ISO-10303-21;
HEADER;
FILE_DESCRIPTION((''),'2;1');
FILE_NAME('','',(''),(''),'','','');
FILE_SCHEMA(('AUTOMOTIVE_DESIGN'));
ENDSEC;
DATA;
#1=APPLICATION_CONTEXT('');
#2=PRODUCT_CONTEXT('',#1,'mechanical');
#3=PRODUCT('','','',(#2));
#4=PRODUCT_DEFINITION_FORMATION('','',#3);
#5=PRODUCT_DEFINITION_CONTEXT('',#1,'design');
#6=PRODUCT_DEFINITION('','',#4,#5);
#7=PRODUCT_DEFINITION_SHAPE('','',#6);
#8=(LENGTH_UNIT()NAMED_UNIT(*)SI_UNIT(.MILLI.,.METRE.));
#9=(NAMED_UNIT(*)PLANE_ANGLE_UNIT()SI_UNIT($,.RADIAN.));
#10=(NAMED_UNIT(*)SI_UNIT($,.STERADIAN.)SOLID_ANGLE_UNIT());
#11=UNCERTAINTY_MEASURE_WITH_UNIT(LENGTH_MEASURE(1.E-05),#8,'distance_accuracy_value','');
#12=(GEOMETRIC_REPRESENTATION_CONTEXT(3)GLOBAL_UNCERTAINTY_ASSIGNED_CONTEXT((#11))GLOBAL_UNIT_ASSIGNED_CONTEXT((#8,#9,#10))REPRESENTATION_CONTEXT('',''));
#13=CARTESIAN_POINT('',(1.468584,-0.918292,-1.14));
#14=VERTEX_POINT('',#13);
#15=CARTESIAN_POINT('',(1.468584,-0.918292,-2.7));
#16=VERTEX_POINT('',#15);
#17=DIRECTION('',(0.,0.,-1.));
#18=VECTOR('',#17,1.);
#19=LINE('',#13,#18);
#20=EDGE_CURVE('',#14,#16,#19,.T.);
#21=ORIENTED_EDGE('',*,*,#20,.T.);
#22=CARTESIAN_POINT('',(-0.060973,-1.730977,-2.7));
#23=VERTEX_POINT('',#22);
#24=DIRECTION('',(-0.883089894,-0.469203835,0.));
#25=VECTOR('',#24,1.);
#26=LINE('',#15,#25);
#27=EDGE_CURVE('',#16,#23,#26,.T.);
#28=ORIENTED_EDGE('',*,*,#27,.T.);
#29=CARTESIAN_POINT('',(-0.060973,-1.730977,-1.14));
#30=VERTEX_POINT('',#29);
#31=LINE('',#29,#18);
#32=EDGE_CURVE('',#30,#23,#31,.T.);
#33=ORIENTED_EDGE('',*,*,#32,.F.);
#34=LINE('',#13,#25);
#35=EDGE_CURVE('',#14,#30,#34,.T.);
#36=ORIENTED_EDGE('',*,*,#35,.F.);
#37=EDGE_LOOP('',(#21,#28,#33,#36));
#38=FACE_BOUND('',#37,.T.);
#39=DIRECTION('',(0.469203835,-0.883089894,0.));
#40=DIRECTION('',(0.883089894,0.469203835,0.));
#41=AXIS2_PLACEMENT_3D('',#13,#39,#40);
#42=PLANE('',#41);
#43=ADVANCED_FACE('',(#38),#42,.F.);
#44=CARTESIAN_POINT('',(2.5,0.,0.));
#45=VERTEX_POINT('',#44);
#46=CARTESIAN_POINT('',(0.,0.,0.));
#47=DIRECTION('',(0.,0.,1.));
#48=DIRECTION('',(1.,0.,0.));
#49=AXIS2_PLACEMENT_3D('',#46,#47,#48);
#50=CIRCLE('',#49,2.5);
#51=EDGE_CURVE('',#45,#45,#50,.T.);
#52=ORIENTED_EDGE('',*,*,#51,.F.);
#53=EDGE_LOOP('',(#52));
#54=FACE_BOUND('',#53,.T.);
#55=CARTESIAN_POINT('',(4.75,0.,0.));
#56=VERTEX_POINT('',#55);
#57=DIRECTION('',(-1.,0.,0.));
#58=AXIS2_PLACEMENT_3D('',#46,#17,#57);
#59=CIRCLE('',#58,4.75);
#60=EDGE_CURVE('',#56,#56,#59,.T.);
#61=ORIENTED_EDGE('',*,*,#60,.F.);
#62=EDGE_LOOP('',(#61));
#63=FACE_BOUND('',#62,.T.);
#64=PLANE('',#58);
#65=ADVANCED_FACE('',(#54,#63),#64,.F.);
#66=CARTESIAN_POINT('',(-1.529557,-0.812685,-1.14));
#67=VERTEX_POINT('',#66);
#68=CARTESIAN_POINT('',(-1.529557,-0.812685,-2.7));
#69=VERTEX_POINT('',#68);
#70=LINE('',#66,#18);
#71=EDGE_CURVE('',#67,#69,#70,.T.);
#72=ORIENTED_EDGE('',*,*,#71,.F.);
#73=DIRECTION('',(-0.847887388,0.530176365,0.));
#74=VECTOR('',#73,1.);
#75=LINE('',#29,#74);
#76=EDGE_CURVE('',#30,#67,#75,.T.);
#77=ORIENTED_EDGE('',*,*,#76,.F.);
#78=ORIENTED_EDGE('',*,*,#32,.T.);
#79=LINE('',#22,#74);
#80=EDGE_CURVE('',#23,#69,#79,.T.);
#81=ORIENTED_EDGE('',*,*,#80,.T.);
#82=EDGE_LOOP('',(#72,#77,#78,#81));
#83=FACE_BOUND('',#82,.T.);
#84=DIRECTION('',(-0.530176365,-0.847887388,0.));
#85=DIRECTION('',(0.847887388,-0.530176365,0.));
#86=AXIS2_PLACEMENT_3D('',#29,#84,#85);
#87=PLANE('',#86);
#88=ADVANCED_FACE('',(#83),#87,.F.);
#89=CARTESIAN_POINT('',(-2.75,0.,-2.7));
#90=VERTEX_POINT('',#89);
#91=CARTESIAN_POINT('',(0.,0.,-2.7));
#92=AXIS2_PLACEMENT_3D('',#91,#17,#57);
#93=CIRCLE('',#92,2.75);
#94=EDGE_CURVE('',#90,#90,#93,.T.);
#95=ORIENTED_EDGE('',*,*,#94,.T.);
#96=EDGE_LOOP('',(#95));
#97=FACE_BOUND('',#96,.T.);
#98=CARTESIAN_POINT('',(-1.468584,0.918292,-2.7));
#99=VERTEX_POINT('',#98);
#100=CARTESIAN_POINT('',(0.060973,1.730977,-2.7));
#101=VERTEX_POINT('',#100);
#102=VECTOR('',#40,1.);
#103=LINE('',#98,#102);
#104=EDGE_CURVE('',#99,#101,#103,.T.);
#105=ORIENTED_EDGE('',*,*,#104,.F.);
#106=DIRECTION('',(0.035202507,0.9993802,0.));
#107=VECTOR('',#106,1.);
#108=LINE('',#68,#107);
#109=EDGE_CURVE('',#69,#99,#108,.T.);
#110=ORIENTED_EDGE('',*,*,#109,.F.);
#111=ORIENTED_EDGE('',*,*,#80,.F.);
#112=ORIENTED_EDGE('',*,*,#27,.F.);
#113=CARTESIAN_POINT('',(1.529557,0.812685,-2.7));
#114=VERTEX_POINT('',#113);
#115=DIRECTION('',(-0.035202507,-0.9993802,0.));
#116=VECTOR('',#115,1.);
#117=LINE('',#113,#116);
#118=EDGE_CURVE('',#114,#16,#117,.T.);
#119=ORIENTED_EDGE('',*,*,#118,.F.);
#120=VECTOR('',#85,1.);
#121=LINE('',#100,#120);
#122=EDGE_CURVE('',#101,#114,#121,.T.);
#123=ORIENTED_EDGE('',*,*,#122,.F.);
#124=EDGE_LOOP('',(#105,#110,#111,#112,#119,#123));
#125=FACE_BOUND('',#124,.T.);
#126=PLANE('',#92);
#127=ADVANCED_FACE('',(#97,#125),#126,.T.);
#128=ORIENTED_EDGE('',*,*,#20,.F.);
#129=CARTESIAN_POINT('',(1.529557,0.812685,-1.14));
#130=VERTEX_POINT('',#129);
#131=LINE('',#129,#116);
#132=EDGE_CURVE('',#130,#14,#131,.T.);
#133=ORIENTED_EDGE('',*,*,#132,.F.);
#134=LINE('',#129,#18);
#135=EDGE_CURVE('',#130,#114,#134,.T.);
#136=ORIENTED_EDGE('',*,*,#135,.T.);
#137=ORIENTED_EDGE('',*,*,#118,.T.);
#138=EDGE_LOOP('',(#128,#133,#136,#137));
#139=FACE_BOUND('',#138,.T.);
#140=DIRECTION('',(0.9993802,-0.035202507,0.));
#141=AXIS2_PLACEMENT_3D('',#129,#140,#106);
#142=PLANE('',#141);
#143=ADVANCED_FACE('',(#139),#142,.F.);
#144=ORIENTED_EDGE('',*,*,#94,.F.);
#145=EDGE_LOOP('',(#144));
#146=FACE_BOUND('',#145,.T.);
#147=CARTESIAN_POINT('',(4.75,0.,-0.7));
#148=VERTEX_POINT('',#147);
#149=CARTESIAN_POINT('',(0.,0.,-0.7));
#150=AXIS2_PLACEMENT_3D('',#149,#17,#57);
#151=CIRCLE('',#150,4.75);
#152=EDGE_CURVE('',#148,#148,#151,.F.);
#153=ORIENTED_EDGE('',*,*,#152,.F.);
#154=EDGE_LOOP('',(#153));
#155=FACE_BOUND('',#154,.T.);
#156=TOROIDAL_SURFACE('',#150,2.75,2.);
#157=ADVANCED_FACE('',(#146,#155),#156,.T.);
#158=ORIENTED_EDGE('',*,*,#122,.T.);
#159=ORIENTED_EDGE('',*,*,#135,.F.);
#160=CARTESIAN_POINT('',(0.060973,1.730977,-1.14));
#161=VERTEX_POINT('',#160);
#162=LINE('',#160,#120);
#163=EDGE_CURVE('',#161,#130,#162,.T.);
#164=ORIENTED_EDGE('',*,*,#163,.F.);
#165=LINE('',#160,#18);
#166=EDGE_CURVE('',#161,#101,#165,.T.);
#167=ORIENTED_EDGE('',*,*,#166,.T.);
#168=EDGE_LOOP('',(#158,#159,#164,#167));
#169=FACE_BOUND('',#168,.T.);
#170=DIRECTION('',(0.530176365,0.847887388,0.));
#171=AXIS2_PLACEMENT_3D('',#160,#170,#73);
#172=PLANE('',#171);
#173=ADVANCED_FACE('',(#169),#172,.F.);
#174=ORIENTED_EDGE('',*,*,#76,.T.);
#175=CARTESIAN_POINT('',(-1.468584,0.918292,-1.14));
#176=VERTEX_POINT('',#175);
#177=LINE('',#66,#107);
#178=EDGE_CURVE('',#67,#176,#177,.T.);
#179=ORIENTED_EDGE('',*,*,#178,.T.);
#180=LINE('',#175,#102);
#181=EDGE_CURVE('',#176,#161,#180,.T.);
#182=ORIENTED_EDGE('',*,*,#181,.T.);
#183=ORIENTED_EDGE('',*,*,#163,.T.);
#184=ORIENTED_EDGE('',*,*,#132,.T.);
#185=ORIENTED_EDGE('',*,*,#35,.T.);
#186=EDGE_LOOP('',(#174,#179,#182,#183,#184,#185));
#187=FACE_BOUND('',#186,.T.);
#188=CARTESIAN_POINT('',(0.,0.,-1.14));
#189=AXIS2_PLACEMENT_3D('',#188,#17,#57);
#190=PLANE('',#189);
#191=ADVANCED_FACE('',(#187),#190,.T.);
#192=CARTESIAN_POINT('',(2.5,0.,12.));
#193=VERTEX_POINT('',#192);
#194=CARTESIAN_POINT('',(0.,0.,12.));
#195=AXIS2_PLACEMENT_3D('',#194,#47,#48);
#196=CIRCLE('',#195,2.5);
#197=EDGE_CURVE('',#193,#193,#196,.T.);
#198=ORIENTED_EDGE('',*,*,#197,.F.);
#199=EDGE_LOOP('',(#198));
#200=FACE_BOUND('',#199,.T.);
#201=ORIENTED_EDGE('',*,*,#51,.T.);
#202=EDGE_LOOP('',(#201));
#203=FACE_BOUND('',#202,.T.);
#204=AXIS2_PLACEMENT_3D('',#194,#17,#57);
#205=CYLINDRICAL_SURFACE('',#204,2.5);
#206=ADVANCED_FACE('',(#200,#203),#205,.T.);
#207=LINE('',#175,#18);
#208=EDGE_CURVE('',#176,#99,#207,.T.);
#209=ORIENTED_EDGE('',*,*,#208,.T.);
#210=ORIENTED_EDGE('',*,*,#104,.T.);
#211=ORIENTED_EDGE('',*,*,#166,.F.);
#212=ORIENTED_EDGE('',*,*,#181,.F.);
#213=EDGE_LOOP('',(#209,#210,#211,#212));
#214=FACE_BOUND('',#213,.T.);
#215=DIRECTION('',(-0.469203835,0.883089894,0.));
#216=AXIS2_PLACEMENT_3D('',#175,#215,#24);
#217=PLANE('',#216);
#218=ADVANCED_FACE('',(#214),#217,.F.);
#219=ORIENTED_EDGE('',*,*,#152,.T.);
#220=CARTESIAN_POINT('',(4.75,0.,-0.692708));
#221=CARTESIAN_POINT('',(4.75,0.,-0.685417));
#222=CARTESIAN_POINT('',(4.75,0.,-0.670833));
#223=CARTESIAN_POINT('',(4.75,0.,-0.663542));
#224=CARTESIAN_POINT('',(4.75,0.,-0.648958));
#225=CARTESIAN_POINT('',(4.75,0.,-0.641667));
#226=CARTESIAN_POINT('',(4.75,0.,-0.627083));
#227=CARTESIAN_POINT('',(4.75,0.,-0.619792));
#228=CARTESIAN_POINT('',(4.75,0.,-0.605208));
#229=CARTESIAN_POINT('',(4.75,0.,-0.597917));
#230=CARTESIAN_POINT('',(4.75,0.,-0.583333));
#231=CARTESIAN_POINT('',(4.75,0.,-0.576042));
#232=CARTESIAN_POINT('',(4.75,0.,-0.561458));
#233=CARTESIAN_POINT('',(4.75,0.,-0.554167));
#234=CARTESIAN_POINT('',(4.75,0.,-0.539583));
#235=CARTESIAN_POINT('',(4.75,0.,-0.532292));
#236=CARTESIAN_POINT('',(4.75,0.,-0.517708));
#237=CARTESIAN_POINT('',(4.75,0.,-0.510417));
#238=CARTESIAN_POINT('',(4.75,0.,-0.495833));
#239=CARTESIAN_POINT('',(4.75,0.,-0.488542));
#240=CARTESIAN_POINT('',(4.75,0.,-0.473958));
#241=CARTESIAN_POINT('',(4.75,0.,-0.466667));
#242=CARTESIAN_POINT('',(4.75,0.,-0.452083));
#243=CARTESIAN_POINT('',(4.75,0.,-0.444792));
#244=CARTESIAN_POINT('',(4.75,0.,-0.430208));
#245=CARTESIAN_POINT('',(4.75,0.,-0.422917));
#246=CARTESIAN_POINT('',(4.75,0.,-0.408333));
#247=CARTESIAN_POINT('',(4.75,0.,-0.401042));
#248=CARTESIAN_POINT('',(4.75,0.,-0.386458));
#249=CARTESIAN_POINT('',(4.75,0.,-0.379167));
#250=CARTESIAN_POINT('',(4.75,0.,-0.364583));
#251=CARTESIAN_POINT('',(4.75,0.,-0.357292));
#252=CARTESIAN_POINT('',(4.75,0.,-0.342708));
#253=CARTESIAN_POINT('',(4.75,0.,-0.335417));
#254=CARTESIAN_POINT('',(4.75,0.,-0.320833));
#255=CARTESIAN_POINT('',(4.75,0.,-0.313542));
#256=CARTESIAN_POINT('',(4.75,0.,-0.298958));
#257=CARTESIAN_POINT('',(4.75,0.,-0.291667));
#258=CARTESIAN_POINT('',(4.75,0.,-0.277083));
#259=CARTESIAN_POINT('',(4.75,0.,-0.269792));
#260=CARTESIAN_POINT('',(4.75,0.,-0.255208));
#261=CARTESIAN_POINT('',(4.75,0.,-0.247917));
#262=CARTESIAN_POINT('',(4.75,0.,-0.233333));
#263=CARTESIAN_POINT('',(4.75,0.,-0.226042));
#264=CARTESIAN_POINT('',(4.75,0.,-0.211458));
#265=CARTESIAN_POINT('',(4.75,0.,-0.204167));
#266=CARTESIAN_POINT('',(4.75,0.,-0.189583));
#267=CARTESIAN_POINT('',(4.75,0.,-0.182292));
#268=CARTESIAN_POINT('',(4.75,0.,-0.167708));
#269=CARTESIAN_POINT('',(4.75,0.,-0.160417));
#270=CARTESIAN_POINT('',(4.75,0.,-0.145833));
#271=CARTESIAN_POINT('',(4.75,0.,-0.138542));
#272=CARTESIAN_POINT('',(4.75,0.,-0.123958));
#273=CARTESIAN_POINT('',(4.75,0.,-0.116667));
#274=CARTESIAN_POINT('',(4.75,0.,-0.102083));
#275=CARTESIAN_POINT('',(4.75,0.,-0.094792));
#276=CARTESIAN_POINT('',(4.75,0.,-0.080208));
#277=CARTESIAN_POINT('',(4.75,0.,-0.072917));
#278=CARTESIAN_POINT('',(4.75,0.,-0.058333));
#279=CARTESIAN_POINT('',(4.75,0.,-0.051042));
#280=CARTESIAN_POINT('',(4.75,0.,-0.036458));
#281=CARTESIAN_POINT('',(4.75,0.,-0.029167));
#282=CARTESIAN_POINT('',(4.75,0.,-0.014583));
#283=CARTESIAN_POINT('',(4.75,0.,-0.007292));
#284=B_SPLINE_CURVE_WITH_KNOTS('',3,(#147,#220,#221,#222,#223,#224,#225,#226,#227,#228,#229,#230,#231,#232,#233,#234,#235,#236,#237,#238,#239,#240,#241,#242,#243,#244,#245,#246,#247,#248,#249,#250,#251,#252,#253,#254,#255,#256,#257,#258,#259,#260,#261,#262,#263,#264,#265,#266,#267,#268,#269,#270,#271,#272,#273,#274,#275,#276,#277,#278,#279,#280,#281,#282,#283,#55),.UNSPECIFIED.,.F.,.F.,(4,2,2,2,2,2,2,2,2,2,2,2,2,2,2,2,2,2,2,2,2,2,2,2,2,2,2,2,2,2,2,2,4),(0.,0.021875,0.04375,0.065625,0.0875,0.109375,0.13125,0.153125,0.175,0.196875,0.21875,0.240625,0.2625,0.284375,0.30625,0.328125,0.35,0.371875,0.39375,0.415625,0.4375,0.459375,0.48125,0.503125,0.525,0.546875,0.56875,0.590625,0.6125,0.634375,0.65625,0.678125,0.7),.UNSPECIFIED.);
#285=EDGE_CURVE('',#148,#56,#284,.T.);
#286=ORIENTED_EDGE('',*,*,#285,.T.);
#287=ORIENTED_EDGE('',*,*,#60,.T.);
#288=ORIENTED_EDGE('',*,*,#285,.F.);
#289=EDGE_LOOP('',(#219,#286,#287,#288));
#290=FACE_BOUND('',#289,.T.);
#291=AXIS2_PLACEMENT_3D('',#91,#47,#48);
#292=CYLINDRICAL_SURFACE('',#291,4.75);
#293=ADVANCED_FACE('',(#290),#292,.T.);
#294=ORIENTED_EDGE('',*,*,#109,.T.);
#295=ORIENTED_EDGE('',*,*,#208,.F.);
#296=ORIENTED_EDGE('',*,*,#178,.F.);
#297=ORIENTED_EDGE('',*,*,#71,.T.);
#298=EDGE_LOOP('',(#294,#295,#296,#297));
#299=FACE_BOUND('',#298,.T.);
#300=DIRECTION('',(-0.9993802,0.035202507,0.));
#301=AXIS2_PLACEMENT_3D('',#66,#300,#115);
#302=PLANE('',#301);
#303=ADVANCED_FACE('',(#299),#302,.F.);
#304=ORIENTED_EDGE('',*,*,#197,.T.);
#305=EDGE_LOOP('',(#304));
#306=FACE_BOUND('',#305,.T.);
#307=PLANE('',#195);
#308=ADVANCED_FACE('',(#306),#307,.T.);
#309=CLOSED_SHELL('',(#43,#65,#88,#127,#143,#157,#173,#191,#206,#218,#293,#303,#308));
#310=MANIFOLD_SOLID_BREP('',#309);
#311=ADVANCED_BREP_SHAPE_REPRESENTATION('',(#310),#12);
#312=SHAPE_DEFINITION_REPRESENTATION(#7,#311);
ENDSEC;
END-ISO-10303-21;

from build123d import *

# Parameters (mm, degrees)
SKETCH_1_R          = 2.5
EXTRUDE_1_DEPTH     = 12
SKETCH_2_R          = 4.75
EXTRUDE_2_DEPTH     = 2.7
FILLET_1_R          = 2
CUT_EXTRUDE_1_DEPTH = 1.56


with BuildPart() as part:
    # 草图1 → 凸台-拉伸1 (new body)
    with BuildSketch(Plane.XY):
        Circle(SKETCH_1_R)
    extrude(amount=EXTRUDE_1_DEPTH)

    # 草图2 → 凸台-拉伸2 (add)
    with BuildSketch(Plane(origin=(0, 0, 0), x_dir=(-1, 0, 0), z_dir=(0, 0, -1))):
        with Locations(Location((0, 0, 0), (0, 0, 180))):
            Circle(SKETCH_2_R)
    extrude(amount=EXTRUDE_2_DEPTH)

    # 圆角1
    fillet_1_edges = [part.edges().sort_by_distance(p)[0] for p in [
        (-4.75, 0, -2.7),
    ]]
    fillet(fillet_1_edges, radius=FILLET_1_R)

    # 草图3 → 切除-拉伸1 (cut)
    with BuildSketch(Plane(origin=(0, 0, -2.7), x_dir=(-1, 0, 0), z_dir=(0, 0, -1))):
        Polygon((1.468584034, 0.918292401), (-0.06097253, 1.730977282), (-1.529556565, 0.812684881), (-1.468584034, -0.918292401), (0.06097253, -1.730977282), (1.529556565, -0.812684881), align=None)
    extrude(amount=-CUT_EXTRUDE_1_DEPTH, mode=Mode.SUBTRACT)


solid = part.part
